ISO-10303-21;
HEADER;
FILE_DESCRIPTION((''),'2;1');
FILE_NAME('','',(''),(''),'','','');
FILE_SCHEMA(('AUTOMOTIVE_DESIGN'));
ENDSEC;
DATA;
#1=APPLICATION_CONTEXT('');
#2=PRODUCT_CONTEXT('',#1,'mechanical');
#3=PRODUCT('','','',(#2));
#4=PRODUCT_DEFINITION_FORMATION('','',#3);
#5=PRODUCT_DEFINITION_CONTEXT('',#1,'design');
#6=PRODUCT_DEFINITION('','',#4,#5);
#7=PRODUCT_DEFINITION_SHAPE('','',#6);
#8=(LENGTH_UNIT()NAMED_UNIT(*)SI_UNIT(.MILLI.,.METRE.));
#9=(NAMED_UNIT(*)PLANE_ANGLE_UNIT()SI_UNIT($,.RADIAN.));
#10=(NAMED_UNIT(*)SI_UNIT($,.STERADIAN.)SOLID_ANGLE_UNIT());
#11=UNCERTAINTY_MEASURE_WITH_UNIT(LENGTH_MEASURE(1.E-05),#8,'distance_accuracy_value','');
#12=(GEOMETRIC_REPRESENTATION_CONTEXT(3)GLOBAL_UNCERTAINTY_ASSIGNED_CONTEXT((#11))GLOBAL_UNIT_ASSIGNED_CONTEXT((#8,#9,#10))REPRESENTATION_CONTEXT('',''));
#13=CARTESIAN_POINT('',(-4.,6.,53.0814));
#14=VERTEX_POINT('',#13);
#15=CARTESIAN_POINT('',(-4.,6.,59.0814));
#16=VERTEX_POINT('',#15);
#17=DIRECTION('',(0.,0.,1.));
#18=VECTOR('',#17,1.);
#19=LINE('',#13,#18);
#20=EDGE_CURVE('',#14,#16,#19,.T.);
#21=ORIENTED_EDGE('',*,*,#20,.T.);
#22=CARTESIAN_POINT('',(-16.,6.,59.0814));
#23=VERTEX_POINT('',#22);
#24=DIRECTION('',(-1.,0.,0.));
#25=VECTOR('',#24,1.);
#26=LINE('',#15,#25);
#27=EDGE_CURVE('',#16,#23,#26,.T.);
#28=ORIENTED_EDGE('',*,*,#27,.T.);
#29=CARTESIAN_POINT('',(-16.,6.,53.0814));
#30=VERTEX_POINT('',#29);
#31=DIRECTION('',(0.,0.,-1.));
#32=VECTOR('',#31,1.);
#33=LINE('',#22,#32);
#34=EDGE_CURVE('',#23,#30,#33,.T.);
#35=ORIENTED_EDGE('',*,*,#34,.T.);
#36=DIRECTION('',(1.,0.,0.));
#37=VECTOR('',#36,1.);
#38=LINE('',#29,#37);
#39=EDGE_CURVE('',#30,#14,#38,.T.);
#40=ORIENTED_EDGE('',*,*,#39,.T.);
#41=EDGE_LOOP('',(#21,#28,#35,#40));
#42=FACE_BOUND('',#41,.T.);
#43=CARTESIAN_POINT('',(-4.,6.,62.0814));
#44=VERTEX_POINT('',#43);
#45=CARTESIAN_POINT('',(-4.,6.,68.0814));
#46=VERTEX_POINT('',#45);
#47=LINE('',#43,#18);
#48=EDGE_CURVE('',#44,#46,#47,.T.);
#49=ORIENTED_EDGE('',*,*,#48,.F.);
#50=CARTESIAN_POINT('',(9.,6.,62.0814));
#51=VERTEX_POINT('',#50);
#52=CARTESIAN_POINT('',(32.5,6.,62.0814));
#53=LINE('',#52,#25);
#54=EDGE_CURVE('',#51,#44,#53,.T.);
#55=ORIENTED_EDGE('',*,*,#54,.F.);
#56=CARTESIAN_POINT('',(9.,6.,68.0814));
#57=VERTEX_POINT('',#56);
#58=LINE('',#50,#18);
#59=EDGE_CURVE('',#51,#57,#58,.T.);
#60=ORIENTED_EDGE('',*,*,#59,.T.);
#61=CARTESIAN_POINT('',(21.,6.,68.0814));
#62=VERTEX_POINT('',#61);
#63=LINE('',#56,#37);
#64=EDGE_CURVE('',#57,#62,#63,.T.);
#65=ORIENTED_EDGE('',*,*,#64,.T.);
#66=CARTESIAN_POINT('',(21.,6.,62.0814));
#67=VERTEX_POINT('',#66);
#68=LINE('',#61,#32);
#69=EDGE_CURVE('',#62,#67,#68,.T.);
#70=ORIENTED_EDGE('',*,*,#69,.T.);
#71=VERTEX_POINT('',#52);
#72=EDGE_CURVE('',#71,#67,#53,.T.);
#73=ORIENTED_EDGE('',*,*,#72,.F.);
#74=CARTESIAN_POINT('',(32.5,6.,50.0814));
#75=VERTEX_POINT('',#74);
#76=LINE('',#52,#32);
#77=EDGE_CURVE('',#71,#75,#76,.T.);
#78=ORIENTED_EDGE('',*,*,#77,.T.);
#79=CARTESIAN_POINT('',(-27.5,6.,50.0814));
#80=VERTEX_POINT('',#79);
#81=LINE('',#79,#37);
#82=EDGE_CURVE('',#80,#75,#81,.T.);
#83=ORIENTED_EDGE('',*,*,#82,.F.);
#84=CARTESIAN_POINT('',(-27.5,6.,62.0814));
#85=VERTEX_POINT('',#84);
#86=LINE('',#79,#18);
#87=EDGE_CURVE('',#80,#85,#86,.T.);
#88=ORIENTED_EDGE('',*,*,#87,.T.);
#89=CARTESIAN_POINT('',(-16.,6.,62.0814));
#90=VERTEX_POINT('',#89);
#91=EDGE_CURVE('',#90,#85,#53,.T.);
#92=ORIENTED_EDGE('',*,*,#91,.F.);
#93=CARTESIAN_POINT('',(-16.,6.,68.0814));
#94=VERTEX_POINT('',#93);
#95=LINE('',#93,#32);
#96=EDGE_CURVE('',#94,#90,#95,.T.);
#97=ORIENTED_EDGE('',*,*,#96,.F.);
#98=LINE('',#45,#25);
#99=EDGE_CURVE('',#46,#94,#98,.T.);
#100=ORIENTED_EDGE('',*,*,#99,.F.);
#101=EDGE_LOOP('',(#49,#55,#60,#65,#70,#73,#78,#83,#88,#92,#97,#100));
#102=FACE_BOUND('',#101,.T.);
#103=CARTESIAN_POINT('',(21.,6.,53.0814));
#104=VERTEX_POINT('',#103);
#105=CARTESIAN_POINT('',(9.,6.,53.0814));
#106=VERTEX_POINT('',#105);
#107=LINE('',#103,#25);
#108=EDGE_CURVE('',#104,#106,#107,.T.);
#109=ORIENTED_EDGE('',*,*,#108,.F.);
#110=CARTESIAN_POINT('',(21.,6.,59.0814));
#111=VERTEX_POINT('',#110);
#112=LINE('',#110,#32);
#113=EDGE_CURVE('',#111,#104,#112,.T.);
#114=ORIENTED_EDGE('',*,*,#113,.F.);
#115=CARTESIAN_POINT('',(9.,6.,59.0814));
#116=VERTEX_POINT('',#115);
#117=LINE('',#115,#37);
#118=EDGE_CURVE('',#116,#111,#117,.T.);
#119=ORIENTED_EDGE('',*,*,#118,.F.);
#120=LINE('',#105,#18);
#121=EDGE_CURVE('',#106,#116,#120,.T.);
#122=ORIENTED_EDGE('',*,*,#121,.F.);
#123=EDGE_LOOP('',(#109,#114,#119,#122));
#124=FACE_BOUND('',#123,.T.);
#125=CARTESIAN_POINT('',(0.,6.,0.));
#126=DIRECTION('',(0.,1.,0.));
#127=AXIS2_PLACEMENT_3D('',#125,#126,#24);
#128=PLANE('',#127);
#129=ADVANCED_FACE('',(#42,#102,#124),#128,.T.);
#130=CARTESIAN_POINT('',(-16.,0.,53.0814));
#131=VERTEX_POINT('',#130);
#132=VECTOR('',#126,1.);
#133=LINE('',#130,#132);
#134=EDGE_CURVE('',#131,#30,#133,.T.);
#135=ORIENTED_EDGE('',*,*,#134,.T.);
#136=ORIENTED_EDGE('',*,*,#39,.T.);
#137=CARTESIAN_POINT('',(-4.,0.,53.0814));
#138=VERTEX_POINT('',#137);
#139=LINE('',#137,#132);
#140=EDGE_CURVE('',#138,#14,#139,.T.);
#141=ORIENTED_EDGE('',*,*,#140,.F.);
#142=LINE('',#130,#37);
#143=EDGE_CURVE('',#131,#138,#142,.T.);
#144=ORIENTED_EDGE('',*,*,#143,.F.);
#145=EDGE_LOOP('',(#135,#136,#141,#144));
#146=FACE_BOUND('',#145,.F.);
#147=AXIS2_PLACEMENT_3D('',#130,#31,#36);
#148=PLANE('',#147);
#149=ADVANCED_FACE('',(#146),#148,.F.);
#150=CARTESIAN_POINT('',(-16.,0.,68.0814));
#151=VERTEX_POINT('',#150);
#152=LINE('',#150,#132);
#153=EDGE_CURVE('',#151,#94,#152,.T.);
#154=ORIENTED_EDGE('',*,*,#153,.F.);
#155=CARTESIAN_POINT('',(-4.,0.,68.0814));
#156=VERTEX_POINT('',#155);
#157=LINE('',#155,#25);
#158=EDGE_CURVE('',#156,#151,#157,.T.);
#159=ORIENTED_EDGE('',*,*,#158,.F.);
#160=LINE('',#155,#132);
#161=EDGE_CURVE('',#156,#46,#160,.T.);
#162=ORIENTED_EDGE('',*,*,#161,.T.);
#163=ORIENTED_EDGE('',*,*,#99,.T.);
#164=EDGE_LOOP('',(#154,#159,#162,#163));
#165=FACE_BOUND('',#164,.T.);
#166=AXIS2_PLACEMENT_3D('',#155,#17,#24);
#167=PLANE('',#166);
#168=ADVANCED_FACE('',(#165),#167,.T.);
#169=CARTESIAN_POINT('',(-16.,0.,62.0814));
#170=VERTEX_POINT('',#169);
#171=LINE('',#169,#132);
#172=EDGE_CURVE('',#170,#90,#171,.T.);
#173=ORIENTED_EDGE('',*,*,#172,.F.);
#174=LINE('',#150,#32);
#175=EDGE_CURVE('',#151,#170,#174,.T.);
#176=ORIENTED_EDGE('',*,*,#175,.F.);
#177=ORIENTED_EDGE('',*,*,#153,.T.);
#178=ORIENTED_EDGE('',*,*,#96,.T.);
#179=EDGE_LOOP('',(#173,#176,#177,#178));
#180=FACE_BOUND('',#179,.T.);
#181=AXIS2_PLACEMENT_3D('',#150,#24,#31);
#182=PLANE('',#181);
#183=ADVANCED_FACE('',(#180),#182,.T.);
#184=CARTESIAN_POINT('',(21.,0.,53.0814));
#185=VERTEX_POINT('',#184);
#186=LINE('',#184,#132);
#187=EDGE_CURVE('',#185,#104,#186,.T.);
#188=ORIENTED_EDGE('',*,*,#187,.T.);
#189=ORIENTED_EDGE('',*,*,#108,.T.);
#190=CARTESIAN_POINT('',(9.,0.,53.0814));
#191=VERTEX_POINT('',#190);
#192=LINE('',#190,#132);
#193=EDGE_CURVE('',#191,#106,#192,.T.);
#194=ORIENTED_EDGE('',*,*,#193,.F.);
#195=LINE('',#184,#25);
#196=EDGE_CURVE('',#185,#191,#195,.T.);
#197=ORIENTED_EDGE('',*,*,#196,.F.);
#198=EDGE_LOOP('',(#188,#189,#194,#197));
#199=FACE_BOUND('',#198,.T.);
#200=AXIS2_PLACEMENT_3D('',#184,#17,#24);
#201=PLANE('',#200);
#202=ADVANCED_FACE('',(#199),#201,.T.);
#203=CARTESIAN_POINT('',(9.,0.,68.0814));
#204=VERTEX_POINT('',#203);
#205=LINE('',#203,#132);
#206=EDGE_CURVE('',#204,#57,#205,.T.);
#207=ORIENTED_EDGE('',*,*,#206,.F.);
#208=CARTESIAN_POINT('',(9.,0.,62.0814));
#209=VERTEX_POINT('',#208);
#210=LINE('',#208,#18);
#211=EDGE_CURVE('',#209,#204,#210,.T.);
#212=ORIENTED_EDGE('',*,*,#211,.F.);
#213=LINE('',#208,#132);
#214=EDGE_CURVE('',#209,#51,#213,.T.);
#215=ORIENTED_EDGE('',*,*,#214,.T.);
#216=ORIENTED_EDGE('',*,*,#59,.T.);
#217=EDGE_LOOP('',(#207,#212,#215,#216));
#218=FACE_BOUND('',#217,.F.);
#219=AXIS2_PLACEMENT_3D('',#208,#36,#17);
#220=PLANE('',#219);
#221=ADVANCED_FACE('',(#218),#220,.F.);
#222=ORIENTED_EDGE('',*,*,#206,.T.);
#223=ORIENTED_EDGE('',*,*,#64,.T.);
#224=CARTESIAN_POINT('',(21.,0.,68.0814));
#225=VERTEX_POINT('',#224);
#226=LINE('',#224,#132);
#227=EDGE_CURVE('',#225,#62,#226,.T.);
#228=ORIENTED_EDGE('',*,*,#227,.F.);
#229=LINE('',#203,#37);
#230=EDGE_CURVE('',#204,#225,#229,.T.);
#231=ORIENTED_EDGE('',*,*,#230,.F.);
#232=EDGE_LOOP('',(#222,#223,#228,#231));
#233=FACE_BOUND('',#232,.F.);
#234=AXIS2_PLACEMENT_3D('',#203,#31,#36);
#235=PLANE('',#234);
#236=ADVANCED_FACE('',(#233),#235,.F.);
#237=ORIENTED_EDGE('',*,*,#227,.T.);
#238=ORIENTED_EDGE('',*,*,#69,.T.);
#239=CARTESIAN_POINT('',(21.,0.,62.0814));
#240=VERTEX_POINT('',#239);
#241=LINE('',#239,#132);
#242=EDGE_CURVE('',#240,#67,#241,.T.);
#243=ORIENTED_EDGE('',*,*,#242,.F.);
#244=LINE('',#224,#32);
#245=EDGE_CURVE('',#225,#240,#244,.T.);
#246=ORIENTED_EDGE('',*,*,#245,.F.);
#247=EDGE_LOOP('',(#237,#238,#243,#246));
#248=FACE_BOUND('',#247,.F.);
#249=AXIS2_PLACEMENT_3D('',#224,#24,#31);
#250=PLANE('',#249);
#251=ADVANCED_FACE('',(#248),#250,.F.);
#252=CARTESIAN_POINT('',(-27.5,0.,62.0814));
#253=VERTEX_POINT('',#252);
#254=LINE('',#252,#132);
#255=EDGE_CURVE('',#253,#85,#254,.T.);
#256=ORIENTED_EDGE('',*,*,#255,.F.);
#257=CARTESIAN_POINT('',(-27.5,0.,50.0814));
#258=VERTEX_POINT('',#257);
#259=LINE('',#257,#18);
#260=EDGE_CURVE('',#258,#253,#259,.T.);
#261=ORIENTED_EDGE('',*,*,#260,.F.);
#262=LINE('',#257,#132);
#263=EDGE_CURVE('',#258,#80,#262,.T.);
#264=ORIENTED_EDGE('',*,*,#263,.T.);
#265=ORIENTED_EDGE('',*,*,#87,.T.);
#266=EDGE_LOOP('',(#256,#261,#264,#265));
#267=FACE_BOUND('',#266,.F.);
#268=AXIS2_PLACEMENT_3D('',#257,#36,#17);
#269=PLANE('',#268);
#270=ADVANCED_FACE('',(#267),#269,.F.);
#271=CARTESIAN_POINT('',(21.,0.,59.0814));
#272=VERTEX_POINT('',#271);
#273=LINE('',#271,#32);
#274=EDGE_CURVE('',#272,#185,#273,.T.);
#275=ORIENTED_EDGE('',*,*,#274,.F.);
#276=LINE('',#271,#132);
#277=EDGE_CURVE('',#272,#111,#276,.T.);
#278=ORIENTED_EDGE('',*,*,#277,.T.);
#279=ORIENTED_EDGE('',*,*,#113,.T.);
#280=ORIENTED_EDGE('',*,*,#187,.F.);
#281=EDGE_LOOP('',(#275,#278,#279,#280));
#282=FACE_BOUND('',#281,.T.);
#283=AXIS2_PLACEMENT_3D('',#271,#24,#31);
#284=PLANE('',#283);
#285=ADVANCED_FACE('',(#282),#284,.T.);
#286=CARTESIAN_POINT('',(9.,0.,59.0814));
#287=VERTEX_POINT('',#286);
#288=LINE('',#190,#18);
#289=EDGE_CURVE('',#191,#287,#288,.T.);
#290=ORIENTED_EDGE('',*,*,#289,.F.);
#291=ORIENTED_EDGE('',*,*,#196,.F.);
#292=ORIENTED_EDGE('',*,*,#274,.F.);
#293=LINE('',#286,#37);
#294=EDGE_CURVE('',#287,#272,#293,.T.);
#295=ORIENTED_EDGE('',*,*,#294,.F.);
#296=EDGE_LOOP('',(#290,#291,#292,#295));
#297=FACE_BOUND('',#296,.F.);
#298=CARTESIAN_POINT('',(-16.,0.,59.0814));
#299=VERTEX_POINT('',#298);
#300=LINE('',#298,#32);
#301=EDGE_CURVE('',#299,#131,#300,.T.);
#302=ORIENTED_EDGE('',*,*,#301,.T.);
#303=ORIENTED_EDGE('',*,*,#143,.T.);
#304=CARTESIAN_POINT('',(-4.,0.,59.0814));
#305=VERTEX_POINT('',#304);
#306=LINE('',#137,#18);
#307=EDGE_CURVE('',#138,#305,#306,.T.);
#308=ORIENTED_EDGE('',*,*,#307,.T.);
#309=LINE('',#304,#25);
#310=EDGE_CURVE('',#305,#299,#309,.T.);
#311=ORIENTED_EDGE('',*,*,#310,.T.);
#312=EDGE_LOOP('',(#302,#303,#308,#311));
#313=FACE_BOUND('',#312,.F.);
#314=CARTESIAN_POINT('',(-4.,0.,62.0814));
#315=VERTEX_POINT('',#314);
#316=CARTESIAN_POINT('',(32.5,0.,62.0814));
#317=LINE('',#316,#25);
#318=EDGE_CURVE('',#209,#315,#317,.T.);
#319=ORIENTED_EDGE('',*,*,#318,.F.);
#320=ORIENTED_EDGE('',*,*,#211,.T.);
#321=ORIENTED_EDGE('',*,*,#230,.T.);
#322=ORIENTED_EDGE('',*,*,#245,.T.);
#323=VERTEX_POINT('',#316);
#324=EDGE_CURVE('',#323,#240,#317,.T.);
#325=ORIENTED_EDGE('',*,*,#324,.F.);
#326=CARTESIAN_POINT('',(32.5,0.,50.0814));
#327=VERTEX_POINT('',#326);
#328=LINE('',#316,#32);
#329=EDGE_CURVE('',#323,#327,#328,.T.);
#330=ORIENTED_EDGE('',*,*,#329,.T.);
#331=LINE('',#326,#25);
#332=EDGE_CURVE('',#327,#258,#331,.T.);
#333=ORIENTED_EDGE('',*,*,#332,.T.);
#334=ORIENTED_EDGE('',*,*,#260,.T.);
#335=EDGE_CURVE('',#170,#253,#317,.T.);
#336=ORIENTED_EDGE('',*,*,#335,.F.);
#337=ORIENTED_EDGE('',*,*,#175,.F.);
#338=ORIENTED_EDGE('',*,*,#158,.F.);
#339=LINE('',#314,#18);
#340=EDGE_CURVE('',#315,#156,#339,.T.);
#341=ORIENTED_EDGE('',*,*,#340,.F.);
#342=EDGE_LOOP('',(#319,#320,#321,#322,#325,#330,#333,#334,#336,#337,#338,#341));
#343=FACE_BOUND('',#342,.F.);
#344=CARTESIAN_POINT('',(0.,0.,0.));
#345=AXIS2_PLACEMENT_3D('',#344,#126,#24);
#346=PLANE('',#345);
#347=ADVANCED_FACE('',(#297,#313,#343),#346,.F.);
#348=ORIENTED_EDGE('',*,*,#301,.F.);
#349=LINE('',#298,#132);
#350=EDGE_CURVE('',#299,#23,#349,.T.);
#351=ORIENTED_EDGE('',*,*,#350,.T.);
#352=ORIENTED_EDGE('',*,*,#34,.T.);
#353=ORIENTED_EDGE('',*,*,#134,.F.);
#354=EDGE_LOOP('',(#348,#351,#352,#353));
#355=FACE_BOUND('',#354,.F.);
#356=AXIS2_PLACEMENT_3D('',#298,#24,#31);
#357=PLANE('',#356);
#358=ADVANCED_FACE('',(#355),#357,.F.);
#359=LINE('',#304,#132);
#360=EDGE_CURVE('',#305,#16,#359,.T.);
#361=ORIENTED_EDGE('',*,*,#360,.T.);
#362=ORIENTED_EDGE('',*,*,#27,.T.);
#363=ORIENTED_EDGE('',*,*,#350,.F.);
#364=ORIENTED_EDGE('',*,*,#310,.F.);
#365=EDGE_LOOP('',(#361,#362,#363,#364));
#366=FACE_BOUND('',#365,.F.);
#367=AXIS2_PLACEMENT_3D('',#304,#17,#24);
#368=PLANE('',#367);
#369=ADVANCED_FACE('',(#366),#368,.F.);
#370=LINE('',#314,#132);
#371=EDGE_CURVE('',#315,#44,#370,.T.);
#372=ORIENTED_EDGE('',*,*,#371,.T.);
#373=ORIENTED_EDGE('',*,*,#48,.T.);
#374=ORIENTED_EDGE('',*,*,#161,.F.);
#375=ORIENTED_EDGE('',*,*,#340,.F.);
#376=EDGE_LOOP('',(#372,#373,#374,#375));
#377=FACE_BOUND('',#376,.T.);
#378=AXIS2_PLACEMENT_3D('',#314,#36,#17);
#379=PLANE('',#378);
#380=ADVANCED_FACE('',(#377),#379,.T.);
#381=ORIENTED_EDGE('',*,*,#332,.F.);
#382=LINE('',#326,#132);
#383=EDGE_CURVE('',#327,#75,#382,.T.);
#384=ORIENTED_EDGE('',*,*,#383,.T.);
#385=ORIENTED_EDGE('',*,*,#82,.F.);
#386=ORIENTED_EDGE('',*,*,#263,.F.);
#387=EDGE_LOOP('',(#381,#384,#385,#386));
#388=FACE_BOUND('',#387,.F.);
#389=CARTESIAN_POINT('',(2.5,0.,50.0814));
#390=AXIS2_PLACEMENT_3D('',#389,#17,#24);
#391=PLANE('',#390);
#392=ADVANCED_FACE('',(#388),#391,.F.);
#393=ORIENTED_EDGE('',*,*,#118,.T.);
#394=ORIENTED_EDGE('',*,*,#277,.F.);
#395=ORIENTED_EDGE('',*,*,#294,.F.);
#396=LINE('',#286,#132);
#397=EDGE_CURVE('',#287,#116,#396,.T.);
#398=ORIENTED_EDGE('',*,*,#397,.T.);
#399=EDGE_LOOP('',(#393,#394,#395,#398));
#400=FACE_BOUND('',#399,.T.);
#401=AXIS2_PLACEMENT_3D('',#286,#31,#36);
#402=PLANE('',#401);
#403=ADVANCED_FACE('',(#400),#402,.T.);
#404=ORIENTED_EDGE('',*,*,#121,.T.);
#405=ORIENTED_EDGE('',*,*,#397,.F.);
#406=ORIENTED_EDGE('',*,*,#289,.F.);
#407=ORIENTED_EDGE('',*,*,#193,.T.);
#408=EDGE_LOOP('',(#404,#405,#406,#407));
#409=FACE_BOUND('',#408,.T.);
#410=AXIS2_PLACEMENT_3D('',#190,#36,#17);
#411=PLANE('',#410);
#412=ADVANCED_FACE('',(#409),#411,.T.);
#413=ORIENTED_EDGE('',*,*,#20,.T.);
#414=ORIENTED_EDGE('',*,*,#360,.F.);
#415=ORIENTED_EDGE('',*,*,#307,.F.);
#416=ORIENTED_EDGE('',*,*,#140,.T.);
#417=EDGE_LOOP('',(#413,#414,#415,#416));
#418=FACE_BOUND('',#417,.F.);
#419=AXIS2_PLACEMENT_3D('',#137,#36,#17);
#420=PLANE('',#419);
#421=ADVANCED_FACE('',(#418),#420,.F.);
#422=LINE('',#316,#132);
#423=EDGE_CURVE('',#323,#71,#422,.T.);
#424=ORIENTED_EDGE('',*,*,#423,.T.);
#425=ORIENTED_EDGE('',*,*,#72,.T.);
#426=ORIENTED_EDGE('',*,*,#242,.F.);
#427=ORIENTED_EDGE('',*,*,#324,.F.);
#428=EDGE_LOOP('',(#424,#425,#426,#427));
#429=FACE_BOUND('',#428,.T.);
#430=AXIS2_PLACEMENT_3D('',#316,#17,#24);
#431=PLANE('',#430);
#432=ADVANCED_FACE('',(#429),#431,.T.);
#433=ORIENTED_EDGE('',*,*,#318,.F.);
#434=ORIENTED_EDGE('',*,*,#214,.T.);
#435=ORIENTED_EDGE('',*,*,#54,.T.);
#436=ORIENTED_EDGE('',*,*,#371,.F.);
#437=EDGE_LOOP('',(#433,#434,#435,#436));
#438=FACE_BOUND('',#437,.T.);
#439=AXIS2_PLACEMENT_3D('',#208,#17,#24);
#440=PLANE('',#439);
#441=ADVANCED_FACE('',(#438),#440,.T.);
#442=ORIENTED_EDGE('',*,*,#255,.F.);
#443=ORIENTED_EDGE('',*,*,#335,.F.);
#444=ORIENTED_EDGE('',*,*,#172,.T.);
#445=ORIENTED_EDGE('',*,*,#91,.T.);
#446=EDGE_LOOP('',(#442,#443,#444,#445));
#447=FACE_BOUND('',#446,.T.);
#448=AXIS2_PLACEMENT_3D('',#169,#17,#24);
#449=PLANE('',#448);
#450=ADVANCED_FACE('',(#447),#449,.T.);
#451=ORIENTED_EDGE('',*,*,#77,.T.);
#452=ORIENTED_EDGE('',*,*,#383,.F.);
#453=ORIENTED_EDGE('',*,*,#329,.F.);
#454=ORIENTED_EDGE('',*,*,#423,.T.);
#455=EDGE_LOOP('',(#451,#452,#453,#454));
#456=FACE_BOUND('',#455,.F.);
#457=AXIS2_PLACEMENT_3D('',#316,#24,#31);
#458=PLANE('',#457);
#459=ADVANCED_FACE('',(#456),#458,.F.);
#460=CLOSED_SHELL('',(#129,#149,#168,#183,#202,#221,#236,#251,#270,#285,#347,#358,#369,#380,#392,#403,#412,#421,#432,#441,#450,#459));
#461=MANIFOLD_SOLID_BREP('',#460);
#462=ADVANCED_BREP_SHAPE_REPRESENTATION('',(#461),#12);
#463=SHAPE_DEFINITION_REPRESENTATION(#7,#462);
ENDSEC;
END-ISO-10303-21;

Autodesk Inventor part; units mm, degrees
ref_plane "YZ Plane" through (0, 0, 0) normal (1, 0, 0) x (0, 1, 0)
ref_plane "XZ Plane" through (0, 0, 0) normal (0, 1, 0) x (-1, 0, 0)
ref_plane "XY Plane" through (0, 0, 0) normal (0, 0, 1) x (1, 0, 0)
sketch "Sketch1" plane through (0, 0, 0) normal (0, 1, 0) x (-1, 0, 0)
  line L0 (27.5, 50.0814) -> (27.5, 62.0814)
  line L1 (-32.5, 62.0814) -> (-32.5, 50.0814)
  line L2 (-32.5, 50.0814) -> (-2.5, 50.0814)
  line L3 (-2.5, 50.0814) -> (-2.5, 62.0814) construction
  line L4 (-32.5, 56.0814) -> (-2.5, 56.0814) construction
  line L5 (-32.5, 62.0814) -> (27.5, 62.0814)
  line L6 (-21, 62.0814) -> (-9, 62.0814)
  line L7 (-9, 62.0814) -> (-9, 68.0814)
  line L8 (-9, 68.0814) -> (-21, 68.0814)
  line L9 (-21, 68.0814) -> (-21, 62.0814)
  line L10 (16, 62.0814) -> (4, 62.0814)
  line L11 (4, 62.0814) -> (4, 68.0814)
  line L12 (4, 68.0814) -> (16, 68.0814)
  line L13 (16, 68.0814) -> (16, 62.0814)
  line L14 (-2.5, 56.0814) -> (27.5, 56.0814) construction
  line L15 (-2.5, 50.0814) -> (27.5, 50.0814)
  line L16 (-9, 59.0814) -> (-21, 59.0814)
  line L17 (-21, 59.0814) -> (-21, 53.0814)
  line L18 (-21, 53.0814) -> (-9, 53.0814)
  line L19 (-9, 53.0814) -> (-9, 59.0814)
  line L20 (-9, 59.0814) -> (-21, 53.0814) construction
  line L21 (-21, 59.0814) -> (-9, 53.0814) construction
  line L22 (4, 59.0814) -> (16, 59.0814)
  line L23 (16, 59.0814) -> (16, 53.0814)
  line L24 (16, 53.0814) -> (4, 53.0814)
  line L25 (4, 53.0814) -> (4, 59.0814)
  line L26 (4, 59.0814) -> (16, 53.0814) construction
  line L27 (16, 59.0814) -> (4, 53.0814) construction
  point P0 (-15, 56.0814)
  point P1 (10, 56.0814)
  dimension "d0" = 60
  dimension "d1" = 12
  dimension "d18" = 12
  dimension "d19" = 6
  dimension "d20" = 18.5
  dimension "d21" = 12
  dimension "d22" = 6
  dimension "d23" = 3
extrude "Extrusion1" add sketch "Sketch1" along normal blind 6
sketch "Sketch3" plane through (0, 0, 0) normal (0, 1, 0) x (-1, 0, 0)
  line L0 (4, 62.0814) -> (-9, 62.0814) construction
  line L1 (-2.5, 62.0814) -> (-2.5, 50.0814) construction
  line L2 (-32.5, 50.0814) -> (27.5, 50.0814) construction
  line L3 (8.5, 50.0814) -> (2.5, 50.0814)
  line L4 (2.5, 50.0814) -> (2.5, 44.0814)
  line L5 (2.5, 44.0814) -> (8.5, 44.0814)
  line L6 (8.5, 44.0814) -> (8.5, 50.0814)
  line L7 (8.5, -0.9186) -> (2.5, -0.9186)
  line L8 (2.5, -0.9186) -> (2.5, -6.9186)
  line L9 (2.5, -6.9186) -> (8.5, -6.9186)
  line L10 (8.5, -6.9186) -> (8.5, -0.9186)
  line L11 (8.5, 35.0814) -> (-9.5, 35.0814)
  line L12 (-9.5, 35.0814) -> (-9.5, 23.0814)
  line L13 (-9.5, 13.0814) -> (8.5, 13.0814)
  line L14 (8.5, 13.0814) -> (8.5, 23.0814)
  line L15 (-13, 35.0814) -> (12, 35.0814)
  line L16 (8.5, 23.0814) -> (-9.5, 23.0814)
  line L17 (1.5, 35.0814) -> (-5.5, 35.0814)
  line L18 (-5.5, 35.0814) -> (-5.5, 40.0814)
  line L19 (-5.5, 40.0814) -> (1.5, 40.0814)
  line L20 (1.5, 40.0814) -> (1.5, 35.0814)
  line L21 (-9.5, 23.0814) -> (-9.5, 13.0814)
  line L22 (8.5, 23.0814) -> (8.5, 35.0814)
  point P0 (0, 0)
  dimension "d37" = 6
  dimension "d38" = 6
  dimension "d39" = 6
  dimension "d43" = 12
  dimension "d44" = 45
  dimension "d45" = 5
  dimension "d46" = 18
  dimension "d47" = 22
  dimension "d53" = 9
  dimension "d58" = 7
  dimension "d59" = 5
  dimension "d60" = 1
extrude "Extrusion3" cut sketch "Sketch3" along normal through all
properties part number "thumper-bumper-sidewall2-v3"
